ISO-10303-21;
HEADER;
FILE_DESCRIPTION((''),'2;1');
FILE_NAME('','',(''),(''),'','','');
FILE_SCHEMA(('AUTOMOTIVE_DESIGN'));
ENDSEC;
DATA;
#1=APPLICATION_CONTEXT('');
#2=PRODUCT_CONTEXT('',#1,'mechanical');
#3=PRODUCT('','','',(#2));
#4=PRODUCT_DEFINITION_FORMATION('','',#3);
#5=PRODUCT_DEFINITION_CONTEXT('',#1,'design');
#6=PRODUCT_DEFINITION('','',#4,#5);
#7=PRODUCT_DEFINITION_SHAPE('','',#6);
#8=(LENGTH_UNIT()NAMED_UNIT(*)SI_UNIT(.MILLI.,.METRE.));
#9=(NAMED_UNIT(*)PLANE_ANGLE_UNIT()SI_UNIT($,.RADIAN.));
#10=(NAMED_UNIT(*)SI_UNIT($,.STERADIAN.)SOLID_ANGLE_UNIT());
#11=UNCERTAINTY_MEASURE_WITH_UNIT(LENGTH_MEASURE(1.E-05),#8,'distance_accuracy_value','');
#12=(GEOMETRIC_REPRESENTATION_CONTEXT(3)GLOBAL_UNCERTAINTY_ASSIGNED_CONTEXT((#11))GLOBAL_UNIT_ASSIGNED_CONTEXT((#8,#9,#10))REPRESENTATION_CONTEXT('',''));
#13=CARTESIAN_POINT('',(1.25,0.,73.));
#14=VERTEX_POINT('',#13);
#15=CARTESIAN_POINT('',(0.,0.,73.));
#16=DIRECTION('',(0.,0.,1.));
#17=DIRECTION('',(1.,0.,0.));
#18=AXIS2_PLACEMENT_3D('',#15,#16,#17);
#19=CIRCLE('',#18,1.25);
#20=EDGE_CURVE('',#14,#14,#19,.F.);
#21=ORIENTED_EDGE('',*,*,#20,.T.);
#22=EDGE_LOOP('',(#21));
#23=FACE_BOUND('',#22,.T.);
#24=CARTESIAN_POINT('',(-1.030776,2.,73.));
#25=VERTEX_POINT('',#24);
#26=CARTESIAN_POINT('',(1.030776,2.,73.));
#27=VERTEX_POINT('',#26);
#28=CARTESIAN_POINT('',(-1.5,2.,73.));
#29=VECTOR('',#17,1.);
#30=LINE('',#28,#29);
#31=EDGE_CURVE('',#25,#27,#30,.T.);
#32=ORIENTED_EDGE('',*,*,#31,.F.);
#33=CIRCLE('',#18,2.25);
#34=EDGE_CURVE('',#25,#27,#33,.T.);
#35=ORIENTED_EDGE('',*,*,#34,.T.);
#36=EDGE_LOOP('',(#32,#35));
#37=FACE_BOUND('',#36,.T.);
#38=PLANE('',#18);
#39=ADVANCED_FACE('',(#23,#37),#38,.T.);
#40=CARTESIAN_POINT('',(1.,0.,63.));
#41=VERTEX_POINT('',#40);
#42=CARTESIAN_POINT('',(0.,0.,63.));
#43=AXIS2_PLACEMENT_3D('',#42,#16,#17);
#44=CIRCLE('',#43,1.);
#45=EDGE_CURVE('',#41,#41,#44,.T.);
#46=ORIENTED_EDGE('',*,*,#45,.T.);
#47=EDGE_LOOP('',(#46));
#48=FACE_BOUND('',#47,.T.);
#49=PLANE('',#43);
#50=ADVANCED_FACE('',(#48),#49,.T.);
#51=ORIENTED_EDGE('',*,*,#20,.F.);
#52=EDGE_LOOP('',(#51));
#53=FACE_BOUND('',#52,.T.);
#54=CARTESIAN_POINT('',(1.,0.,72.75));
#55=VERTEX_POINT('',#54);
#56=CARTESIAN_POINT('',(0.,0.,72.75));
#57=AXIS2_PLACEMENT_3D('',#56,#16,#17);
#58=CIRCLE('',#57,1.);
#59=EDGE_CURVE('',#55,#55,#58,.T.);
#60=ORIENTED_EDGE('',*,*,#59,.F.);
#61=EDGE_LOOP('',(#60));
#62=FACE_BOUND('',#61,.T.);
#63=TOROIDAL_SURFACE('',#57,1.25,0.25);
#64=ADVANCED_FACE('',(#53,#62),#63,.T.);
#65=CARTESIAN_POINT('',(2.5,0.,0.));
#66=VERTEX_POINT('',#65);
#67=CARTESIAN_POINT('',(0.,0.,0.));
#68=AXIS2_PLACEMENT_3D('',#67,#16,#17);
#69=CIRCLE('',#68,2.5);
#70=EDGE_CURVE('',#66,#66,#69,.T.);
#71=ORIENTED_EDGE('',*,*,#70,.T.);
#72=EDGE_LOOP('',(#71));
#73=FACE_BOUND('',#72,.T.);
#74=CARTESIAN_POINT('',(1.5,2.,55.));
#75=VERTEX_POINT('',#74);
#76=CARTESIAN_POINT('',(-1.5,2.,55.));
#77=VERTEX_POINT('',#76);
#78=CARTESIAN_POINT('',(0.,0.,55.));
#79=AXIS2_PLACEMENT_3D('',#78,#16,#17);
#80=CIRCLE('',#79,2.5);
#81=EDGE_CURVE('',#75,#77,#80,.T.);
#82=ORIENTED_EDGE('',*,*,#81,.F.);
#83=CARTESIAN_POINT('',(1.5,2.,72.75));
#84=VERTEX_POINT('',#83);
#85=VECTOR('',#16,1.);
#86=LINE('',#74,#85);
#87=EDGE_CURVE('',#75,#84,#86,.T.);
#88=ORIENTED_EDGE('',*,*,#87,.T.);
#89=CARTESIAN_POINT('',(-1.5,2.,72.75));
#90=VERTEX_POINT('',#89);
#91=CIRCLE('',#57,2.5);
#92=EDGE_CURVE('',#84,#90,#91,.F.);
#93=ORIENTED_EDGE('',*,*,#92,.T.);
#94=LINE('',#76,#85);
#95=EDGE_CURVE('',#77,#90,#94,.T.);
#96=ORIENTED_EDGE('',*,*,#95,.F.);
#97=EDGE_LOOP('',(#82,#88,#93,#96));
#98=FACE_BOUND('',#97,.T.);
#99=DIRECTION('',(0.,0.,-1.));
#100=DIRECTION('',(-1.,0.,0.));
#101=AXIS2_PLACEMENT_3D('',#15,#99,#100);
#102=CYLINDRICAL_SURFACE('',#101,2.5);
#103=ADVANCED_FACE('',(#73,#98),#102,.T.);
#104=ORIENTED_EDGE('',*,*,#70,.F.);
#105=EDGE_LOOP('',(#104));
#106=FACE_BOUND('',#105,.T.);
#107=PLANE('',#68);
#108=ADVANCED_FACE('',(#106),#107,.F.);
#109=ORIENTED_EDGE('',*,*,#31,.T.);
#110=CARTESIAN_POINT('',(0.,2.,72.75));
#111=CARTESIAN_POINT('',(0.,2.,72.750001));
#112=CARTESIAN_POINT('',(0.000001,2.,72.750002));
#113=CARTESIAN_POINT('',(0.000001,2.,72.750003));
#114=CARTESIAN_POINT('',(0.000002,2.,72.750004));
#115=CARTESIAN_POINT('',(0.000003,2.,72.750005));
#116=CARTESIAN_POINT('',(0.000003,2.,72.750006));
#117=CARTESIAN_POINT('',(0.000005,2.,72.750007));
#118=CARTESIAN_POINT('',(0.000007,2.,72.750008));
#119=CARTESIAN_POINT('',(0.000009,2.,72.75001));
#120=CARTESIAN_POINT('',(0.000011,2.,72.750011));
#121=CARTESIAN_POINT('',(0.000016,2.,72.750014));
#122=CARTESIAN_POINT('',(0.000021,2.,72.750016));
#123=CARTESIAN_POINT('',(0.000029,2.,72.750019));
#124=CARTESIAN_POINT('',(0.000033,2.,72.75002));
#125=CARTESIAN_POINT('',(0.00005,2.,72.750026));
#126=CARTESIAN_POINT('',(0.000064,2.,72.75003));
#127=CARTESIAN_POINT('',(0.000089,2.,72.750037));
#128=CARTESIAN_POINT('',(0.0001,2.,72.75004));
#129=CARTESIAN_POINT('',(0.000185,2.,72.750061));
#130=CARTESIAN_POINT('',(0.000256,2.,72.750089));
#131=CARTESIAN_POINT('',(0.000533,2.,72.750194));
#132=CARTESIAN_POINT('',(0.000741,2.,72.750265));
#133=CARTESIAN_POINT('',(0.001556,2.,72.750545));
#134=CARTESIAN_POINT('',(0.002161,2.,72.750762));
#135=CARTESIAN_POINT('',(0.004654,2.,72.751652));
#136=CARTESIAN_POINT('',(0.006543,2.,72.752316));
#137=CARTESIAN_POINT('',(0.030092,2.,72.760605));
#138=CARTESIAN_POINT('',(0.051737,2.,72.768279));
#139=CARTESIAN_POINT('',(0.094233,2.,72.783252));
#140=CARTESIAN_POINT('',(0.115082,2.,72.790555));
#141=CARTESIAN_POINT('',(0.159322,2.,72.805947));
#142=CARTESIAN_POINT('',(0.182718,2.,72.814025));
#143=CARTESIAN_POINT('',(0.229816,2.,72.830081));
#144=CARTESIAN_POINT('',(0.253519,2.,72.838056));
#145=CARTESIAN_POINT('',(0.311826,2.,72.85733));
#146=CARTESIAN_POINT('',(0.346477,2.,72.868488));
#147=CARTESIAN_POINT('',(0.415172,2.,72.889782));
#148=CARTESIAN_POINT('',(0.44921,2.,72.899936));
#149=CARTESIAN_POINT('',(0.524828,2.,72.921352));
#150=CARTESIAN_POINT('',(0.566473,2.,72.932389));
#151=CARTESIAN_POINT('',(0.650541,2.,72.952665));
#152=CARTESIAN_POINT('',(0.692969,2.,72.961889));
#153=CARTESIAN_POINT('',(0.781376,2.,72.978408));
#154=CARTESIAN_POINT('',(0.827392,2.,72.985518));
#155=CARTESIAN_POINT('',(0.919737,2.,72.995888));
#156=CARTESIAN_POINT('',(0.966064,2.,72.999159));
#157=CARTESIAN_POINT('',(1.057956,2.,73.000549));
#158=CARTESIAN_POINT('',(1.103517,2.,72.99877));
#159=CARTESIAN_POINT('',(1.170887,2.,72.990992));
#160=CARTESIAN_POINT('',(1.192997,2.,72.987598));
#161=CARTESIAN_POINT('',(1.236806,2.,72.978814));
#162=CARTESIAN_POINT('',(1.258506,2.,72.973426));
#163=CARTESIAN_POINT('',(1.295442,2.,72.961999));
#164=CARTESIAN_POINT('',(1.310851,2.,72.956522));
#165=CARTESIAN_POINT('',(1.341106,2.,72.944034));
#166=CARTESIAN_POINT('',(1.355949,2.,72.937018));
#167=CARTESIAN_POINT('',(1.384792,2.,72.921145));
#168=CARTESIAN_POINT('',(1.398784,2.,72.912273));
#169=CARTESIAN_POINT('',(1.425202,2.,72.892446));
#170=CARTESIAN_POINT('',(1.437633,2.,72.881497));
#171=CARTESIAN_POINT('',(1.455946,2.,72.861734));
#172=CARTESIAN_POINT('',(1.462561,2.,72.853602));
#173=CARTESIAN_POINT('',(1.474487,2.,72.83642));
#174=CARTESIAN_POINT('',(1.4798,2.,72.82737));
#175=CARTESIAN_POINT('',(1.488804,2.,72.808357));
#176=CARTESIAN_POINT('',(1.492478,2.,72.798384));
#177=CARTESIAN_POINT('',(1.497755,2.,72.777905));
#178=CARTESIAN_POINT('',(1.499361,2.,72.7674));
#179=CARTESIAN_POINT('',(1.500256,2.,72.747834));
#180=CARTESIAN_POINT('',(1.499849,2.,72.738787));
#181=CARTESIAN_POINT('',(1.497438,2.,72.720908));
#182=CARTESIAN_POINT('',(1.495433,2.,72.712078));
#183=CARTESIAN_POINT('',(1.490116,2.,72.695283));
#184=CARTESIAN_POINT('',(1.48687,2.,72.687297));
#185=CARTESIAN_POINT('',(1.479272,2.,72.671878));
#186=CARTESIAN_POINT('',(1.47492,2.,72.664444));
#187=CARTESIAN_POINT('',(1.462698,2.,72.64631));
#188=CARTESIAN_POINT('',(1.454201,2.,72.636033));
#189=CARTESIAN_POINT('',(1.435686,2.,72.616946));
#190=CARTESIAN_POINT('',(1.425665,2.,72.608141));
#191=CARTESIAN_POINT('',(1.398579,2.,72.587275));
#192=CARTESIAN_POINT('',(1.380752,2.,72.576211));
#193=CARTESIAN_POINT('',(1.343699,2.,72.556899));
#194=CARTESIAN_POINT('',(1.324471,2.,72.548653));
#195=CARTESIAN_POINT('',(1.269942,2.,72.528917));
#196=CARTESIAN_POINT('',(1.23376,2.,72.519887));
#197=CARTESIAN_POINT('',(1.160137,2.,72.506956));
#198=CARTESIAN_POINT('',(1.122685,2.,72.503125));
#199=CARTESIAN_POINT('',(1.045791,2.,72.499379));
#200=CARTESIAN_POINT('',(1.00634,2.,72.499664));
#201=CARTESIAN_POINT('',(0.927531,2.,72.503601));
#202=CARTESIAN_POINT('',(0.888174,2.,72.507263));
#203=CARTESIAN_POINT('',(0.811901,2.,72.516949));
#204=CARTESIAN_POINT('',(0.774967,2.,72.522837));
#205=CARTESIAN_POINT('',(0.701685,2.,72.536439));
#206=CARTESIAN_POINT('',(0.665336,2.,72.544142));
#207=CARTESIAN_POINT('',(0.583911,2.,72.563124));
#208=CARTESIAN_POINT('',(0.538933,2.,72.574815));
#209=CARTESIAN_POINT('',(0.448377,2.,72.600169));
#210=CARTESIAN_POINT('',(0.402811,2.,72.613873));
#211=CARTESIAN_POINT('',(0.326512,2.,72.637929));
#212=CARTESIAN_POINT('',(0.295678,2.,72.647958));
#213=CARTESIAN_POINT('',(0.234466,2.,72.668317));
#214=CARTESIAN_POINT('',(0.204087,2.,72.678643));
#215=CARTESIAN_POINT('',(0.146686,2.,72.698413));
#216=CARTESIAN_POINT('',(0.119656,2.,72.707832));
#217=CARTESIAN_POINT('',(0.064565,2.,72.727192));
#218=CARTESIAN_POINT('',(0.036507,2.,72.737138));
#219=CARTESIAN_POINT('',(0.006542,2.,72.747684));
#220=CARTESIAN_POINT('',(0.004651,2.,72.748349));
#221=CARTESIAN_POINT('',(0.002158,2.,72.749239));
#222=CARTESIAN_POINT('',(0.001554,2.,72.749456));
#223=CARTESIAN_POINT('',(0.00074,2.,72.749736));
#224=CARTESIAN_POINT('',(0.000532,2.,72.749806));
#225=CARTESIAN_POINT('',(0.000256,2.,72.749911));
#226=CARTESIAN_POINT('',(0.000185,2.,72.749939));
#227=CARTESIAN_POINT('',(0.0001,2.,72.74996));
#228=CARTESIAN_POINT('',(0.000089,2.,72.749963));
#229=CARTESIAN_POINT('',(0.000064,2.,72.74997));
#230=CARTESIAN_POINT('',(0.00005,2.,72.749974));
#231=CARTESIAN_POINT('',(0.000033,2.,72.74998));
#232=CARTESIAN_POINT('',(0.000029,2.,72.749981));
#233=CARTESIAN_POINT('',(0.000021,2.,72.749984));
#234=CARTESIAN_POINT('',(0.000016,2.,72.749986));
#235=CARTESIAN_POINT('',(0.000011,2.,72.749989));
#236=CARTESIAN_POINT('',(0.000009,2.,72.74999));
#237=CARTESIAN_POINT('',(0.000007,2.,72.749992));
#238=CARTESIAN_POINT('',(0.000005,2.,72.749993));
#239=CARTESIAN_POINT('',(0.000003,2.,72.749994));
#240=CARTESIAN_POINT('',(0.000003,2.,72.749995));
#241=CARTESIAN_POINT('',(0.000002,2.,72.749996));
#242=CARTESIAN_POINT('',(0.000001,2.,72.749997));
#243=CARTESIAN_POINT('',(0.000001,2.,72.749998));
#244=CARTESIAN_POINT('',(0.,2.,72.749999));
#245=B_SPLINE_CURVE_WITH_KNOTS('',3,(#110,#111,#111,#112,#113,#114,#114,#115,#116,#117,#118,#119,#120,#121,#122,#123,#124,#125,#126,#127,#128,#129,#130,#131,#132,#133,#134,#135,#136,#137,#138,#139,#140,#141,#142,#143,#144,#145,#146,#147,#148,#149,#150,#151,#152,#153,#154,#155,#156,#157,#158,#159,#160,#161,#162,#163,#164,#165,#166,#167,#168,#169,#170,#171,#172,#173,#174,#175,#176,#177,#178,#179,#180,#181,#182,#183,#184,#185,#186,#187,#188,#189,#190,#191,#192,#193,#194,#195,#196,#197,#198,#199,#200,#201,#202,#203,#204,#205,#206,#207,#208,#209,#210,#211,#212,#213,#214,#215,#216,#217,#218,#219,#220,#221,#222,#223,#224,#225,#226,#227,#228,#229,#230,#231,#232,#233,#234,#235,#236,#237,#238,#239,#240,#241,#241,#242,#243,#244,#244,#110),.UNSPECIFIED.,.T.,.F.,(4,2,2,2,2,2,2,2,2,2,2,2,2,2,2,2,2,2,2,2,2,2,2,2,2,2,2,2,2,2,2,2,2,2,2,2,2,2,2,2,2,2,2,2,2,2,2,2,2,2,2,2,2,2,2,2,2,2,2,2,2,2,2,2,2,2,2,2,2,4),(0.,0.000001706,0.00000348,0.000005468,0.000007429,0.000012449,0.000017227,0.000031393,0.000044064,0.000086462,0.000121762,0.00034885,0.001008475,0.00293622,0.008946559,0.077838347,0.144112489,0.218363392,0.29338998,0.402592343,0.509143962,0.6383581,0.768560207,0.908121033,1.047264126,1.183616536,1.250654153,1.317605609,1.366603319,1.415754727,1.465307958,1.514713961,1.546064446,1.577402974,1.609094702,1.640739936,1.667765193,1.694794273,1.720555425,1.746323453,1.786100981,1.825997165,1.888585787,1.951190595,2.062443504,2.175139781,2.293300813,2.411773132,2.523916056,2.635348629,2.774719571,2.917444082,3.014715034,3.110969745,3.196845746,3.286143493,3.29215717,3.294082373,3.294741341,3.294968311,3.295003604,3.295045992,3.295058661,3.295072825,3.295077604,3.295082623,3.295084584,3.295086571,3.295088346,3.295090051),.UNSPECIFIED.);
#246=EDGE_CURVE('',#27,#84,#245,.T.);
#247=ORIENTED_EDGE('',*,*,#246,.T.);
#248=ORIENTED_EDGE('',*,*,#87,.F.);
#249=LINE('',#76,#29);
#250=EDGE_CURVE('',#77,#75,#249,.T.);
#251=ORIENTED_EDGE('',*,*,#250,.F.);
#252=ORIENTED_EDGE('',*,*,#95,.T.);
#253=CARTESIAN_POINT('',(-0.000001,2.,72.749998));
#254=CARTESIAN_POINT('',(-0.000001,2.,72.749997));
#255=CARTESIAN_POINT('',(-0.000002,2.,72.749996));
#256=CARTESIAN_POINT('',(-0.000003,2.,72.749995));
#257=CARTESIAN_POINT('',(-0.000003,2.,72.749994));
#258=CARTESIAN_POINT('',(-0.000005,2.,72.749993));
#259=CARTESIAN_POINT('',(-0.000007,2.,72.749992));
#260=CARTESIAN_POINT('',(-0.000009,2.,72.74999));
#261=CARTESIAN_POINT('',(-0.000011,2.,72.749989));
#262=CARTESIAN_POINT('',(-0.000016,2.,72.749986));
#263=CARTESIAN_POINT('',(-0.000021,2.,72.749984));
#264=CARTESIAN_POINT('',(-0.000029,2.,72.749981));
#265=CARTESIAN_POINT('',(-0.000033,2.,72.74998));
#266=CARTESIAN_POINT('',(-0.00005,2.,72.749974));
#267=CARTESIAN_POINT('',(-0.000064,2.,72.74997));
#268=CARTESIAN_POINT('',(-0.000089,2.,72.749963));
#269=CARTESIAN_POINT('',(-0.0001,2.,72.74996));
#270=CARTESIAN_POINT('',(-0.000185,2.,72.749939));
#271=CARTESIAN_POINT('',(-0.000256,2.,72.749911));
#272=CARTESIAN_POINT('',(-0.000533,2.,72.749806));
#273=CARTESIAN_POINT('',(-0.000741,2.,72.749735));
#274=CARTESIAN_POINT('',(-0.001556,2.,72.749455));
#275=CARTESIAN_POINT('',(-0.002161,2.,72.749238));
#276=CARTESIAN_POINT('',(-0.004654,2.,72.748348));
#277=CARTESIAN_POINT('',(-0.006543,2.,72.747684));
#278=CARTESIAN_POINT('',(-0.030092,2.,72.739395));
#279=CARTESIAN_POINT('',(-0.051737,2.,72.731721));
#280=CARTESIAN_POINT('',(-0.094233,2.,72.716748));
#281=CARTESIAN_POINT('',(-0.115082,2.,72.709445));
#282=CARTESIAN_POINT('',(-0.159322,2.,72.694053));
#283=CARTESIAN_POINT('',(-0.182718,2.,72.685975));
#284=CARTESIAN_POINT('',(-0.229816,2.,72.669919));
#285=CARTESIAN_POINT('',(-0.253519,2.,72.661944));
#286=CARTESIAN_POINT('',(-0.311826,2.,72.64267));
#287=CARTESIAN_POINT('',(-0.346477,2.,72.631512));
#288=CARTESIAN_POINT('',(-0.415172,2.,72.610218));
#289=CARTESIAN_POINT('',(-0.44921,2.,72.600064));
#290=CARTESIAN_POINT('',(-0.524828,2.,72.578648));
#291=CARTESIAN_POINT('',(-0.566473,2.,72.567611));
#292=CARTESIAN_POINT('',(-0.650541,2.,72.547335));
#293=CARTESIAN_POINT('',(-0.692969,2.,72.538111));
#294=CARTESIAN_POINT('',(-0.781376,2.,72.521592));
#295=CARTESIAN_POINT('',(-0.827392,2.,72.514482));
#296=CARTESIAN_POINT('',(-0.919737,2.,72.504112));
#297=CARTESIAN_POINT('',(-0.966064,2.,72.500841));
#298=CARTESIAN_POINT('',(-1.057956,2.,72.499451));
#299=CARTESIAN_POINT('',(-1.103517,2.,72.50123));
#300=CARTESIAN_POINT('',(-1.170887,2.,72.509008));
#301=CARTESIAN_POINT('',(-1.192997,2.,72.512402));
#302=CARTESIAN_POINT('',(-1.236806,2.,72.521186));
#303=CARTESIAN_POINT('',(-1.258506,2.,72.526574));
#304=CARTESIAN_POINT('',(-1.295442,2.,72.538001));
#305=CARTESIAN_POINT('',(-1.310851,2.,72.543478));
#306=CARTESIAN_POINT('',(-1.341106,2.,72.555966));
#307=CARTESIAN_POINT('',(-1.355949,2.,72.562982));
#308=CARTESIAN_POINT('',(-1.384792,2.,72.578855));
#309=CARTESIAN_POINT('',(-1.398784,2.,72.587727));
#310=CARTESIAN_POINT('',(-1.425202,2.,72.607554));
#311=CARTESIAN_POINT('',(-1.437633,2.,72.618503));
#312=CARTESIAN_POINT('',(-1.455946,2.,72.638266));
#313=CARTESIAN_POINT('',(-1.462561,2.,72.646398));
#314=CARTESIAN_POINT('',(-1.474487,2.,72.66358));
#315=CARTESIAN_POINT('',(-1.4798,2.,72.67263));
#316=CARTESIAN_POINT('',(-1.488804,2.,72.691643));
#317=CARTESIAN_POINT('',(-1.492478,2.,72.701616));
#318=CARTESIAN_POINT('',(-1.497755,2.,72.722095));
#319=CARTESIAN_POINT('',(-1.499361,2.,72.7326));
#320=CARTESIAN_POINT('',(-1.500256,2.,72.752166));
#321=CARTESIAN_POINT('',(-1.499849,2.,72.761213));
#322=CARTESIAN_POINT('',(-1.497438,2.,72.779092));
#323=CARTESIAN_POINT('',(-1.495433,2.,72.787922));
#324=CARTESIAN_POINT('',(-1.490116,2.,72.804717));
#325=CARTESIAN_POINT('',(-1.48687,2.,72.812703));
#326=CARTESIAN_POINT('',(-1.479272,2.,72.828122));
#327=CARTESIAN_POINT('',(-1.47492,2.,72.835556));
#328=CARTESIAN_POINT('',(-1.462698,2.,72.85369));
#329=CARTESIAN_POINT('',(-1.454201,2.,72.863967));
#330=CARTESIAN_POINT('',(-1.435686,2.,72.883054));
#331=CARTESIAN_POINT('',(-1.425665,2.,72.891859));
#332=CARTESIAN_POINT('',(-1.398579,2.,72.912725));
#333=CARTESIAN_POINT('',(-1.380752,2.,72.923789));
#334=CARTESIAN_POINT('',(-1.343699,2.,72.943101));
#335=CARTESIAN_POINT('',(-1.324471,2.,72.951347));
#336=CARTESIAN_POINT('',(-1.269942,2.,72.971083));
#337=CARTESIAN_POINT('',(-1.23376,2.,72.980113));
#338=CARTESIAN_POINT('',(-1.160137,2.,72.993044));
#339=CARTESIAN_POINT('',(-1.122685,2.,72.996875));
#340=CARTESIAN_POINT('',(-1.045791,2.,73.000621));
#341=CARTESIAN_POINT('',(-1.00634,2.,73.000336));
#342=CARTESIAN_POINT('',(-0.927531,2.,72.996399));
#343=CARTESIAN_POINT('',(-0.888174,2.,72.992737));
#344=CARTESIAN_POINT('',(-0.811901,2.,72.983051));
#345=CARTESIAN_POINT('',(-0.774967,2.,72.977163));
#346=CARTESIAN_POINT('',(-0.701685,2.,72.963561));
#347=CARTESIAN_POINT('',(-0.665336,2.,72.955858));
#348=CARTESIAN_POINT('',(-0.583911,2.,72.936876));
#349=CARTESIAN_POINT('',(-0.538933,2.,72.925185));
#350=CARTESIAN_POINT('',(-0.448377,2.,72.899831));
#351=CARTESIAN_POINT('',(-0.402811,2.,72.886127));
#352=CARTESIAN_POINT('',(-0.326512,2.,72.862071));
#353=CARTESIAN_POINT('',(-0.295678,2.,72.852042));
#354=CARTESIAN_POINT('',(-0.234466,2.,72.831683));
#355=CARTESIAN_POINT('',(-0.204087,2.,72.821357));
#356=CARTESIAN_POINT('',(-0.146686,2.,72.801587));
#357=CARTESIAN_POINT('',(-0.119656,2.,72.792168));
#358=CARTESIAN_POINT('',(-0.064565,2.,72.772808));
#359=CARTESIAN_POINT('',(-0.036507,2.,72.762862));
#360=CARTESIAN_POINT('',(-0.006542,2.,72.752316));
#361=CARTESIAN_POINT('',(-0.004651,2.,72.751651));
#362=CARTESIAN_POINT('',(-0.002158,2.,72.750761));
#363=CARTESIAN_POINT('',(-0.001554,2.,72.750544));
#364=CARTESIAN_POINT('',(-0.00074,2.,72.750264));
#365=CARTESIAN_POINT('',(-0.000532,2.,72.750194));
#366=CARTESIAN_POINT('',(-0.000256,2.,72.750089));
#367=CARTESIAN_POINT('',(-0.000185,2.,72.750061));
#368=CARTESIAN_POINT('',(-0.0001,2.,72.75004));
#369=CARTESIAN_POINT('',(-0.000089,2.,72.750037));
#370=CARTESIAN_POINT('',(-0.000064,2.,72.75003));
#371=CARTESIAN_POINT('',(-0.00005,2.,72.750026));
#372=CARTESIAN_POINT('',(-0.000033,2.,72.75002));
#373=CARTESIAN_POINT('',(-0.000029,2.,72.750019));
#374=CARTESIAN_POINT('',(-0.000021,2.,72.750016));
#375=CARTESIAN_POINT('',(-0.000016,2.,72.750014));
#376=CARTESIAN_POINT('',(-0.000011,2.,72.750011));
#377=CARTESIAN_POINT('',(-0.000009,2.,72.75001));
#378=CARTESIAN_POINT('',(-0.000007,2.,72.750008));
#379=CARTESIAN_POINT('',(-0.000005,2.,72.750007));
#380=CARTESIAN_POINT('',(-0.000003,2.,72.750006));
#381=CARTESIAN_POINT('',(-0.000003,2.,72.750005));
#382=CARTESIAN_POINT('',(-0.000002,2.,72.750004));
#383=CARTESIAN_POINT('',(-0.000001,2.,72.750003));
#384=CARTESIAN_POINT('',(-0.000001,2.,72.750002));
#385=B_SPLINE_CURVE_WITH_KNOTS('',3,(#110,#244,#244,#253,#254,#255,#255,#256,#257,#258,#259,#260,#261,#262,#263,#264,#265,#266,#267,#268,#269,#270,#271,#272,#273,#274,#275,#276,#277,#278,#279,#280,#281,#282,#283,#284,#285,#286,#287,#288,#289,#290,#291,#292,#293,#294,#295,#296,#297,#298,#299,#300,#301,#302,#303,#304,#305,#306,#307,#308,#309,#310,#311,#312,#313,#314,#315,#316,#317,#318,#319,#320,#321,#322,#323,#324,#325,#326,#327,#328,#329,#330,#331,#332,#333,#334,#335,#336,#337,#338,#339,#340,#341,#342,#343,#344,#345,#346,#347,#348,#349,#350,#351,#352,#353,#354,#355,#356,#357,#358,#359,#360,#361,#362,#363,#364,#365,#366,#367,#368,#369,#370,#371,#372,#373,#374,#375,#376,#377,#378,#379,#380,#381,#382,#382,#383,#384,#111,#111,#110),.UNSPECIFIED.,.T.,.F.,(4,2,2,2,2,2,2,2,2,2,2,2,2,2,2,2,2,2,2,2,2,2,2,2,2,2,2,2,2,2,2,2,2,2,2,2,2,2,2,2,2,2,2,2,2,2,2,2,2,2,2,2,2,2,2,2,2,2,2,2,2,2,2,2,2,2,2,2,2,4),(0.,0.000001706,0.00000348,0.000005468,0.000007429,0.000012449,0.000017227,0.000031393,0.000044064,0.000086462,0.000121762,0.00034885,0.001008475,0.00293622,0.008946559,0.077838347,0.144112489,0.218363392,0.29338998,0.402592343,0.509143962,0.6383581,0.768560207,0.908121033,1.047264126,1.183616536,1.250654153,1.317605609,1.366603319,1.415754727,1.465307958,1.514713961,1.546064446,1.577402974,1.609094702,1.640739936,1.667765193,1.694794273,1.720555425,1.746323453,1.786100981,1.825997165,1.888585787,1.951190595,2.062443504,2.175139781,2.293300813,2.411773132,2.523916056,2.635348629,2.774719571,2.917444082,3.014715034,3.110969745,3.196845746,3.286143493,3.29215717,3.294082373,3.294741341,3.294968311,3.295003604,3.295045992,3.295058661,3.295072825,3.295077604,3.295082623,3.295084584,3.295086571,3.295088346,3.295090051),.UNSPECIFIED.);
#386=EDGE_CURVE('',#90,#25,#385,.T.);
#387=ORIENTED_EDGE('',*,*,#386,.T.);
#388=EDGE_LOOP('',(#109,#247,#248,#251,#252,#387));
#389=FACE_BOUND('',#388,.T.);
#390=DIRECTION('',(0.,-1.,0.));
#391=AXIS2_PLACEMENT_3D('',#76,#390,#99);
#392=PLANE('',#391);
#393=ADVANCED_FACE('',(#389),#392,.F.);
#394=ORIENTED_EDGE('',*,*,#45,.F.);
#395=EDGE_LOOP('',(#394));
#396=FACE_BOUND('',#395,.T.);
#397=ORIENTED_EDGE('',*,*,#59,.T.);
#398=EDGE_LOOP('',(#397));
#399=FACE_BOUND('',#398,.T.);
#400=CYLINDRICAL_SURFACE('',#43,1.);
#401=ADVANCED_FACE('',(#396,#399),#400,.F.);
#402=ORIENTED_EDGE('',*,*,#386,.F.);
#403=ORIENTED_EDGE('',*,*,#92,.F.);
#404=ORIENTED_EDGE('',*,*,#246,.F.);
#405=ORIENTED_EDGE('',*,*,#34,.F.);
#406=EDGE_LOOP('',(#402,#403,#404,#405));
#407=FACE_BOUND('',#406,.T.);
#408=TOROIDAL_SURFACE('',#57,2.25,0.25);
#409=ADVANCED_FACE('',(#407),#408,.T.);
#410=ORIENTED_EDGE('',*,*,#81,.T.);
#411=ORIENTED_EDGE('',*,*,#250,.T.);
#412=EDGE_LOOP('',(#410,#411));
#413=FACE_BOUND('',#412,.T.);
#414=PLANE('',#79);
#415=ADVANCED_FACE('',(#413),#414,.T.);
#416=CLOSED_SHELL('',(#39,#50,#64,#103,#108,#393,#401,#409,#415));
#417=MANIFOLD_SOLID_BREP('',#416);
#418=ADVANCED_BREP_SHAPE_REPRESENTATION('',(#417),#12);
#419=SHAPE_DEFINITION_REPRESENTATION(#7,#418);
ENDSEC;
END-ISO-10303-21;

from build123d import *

# Parameters (mm, degrees)
SKETCH1_R          = 2.5
EXTRUDE1_DEPTH     = 73
SKETCH2_R          = 1
ICE1_DEPTH         = 10
FILLET1_R          = 0.25
CUT_EXTRUDE1_DEPTH = 18


with BuildPart() as part:
    # Sketch1 → Extrude1 (new body)
    with BuildSketch(Plane.XY):
        Circle(SKETCH1_R)
    extrude(amount=EXTRUDE1_DEPTH)

    # Sketch2 → ICE1 (cut)
    with BuildSketch(Plane.XY.offset(73)):
        Circle(SKETCH2_R)
    extrude(amount=-ICE1_DEPTH, mode=Mode.SUBTRACT)

    # Fillet1
    fillet1_edges = [part.edges().sort_by_distance(p)[0] for p in [
        (-2.5, 0, 73),
        (-1, 0, 73),
    ]]
    fillet(fillet1_edges, radius=FILLET1_R)

    # Sketch4 → Cut-Extrude1 (cut)
    with BuildSketch(Plane.XY.offset(73)):
        with BuildLine():
            Line((-1.5, 2), (1.5, 2))
            ThreePointArc((1.5, 2), (0, 2.5), (-1.5, 2))
        make_face()
    extrude(amount=-CUT_EXTRUDE1_DEPTH, mode=Mode.SUBTRACT)


solid = part.part
